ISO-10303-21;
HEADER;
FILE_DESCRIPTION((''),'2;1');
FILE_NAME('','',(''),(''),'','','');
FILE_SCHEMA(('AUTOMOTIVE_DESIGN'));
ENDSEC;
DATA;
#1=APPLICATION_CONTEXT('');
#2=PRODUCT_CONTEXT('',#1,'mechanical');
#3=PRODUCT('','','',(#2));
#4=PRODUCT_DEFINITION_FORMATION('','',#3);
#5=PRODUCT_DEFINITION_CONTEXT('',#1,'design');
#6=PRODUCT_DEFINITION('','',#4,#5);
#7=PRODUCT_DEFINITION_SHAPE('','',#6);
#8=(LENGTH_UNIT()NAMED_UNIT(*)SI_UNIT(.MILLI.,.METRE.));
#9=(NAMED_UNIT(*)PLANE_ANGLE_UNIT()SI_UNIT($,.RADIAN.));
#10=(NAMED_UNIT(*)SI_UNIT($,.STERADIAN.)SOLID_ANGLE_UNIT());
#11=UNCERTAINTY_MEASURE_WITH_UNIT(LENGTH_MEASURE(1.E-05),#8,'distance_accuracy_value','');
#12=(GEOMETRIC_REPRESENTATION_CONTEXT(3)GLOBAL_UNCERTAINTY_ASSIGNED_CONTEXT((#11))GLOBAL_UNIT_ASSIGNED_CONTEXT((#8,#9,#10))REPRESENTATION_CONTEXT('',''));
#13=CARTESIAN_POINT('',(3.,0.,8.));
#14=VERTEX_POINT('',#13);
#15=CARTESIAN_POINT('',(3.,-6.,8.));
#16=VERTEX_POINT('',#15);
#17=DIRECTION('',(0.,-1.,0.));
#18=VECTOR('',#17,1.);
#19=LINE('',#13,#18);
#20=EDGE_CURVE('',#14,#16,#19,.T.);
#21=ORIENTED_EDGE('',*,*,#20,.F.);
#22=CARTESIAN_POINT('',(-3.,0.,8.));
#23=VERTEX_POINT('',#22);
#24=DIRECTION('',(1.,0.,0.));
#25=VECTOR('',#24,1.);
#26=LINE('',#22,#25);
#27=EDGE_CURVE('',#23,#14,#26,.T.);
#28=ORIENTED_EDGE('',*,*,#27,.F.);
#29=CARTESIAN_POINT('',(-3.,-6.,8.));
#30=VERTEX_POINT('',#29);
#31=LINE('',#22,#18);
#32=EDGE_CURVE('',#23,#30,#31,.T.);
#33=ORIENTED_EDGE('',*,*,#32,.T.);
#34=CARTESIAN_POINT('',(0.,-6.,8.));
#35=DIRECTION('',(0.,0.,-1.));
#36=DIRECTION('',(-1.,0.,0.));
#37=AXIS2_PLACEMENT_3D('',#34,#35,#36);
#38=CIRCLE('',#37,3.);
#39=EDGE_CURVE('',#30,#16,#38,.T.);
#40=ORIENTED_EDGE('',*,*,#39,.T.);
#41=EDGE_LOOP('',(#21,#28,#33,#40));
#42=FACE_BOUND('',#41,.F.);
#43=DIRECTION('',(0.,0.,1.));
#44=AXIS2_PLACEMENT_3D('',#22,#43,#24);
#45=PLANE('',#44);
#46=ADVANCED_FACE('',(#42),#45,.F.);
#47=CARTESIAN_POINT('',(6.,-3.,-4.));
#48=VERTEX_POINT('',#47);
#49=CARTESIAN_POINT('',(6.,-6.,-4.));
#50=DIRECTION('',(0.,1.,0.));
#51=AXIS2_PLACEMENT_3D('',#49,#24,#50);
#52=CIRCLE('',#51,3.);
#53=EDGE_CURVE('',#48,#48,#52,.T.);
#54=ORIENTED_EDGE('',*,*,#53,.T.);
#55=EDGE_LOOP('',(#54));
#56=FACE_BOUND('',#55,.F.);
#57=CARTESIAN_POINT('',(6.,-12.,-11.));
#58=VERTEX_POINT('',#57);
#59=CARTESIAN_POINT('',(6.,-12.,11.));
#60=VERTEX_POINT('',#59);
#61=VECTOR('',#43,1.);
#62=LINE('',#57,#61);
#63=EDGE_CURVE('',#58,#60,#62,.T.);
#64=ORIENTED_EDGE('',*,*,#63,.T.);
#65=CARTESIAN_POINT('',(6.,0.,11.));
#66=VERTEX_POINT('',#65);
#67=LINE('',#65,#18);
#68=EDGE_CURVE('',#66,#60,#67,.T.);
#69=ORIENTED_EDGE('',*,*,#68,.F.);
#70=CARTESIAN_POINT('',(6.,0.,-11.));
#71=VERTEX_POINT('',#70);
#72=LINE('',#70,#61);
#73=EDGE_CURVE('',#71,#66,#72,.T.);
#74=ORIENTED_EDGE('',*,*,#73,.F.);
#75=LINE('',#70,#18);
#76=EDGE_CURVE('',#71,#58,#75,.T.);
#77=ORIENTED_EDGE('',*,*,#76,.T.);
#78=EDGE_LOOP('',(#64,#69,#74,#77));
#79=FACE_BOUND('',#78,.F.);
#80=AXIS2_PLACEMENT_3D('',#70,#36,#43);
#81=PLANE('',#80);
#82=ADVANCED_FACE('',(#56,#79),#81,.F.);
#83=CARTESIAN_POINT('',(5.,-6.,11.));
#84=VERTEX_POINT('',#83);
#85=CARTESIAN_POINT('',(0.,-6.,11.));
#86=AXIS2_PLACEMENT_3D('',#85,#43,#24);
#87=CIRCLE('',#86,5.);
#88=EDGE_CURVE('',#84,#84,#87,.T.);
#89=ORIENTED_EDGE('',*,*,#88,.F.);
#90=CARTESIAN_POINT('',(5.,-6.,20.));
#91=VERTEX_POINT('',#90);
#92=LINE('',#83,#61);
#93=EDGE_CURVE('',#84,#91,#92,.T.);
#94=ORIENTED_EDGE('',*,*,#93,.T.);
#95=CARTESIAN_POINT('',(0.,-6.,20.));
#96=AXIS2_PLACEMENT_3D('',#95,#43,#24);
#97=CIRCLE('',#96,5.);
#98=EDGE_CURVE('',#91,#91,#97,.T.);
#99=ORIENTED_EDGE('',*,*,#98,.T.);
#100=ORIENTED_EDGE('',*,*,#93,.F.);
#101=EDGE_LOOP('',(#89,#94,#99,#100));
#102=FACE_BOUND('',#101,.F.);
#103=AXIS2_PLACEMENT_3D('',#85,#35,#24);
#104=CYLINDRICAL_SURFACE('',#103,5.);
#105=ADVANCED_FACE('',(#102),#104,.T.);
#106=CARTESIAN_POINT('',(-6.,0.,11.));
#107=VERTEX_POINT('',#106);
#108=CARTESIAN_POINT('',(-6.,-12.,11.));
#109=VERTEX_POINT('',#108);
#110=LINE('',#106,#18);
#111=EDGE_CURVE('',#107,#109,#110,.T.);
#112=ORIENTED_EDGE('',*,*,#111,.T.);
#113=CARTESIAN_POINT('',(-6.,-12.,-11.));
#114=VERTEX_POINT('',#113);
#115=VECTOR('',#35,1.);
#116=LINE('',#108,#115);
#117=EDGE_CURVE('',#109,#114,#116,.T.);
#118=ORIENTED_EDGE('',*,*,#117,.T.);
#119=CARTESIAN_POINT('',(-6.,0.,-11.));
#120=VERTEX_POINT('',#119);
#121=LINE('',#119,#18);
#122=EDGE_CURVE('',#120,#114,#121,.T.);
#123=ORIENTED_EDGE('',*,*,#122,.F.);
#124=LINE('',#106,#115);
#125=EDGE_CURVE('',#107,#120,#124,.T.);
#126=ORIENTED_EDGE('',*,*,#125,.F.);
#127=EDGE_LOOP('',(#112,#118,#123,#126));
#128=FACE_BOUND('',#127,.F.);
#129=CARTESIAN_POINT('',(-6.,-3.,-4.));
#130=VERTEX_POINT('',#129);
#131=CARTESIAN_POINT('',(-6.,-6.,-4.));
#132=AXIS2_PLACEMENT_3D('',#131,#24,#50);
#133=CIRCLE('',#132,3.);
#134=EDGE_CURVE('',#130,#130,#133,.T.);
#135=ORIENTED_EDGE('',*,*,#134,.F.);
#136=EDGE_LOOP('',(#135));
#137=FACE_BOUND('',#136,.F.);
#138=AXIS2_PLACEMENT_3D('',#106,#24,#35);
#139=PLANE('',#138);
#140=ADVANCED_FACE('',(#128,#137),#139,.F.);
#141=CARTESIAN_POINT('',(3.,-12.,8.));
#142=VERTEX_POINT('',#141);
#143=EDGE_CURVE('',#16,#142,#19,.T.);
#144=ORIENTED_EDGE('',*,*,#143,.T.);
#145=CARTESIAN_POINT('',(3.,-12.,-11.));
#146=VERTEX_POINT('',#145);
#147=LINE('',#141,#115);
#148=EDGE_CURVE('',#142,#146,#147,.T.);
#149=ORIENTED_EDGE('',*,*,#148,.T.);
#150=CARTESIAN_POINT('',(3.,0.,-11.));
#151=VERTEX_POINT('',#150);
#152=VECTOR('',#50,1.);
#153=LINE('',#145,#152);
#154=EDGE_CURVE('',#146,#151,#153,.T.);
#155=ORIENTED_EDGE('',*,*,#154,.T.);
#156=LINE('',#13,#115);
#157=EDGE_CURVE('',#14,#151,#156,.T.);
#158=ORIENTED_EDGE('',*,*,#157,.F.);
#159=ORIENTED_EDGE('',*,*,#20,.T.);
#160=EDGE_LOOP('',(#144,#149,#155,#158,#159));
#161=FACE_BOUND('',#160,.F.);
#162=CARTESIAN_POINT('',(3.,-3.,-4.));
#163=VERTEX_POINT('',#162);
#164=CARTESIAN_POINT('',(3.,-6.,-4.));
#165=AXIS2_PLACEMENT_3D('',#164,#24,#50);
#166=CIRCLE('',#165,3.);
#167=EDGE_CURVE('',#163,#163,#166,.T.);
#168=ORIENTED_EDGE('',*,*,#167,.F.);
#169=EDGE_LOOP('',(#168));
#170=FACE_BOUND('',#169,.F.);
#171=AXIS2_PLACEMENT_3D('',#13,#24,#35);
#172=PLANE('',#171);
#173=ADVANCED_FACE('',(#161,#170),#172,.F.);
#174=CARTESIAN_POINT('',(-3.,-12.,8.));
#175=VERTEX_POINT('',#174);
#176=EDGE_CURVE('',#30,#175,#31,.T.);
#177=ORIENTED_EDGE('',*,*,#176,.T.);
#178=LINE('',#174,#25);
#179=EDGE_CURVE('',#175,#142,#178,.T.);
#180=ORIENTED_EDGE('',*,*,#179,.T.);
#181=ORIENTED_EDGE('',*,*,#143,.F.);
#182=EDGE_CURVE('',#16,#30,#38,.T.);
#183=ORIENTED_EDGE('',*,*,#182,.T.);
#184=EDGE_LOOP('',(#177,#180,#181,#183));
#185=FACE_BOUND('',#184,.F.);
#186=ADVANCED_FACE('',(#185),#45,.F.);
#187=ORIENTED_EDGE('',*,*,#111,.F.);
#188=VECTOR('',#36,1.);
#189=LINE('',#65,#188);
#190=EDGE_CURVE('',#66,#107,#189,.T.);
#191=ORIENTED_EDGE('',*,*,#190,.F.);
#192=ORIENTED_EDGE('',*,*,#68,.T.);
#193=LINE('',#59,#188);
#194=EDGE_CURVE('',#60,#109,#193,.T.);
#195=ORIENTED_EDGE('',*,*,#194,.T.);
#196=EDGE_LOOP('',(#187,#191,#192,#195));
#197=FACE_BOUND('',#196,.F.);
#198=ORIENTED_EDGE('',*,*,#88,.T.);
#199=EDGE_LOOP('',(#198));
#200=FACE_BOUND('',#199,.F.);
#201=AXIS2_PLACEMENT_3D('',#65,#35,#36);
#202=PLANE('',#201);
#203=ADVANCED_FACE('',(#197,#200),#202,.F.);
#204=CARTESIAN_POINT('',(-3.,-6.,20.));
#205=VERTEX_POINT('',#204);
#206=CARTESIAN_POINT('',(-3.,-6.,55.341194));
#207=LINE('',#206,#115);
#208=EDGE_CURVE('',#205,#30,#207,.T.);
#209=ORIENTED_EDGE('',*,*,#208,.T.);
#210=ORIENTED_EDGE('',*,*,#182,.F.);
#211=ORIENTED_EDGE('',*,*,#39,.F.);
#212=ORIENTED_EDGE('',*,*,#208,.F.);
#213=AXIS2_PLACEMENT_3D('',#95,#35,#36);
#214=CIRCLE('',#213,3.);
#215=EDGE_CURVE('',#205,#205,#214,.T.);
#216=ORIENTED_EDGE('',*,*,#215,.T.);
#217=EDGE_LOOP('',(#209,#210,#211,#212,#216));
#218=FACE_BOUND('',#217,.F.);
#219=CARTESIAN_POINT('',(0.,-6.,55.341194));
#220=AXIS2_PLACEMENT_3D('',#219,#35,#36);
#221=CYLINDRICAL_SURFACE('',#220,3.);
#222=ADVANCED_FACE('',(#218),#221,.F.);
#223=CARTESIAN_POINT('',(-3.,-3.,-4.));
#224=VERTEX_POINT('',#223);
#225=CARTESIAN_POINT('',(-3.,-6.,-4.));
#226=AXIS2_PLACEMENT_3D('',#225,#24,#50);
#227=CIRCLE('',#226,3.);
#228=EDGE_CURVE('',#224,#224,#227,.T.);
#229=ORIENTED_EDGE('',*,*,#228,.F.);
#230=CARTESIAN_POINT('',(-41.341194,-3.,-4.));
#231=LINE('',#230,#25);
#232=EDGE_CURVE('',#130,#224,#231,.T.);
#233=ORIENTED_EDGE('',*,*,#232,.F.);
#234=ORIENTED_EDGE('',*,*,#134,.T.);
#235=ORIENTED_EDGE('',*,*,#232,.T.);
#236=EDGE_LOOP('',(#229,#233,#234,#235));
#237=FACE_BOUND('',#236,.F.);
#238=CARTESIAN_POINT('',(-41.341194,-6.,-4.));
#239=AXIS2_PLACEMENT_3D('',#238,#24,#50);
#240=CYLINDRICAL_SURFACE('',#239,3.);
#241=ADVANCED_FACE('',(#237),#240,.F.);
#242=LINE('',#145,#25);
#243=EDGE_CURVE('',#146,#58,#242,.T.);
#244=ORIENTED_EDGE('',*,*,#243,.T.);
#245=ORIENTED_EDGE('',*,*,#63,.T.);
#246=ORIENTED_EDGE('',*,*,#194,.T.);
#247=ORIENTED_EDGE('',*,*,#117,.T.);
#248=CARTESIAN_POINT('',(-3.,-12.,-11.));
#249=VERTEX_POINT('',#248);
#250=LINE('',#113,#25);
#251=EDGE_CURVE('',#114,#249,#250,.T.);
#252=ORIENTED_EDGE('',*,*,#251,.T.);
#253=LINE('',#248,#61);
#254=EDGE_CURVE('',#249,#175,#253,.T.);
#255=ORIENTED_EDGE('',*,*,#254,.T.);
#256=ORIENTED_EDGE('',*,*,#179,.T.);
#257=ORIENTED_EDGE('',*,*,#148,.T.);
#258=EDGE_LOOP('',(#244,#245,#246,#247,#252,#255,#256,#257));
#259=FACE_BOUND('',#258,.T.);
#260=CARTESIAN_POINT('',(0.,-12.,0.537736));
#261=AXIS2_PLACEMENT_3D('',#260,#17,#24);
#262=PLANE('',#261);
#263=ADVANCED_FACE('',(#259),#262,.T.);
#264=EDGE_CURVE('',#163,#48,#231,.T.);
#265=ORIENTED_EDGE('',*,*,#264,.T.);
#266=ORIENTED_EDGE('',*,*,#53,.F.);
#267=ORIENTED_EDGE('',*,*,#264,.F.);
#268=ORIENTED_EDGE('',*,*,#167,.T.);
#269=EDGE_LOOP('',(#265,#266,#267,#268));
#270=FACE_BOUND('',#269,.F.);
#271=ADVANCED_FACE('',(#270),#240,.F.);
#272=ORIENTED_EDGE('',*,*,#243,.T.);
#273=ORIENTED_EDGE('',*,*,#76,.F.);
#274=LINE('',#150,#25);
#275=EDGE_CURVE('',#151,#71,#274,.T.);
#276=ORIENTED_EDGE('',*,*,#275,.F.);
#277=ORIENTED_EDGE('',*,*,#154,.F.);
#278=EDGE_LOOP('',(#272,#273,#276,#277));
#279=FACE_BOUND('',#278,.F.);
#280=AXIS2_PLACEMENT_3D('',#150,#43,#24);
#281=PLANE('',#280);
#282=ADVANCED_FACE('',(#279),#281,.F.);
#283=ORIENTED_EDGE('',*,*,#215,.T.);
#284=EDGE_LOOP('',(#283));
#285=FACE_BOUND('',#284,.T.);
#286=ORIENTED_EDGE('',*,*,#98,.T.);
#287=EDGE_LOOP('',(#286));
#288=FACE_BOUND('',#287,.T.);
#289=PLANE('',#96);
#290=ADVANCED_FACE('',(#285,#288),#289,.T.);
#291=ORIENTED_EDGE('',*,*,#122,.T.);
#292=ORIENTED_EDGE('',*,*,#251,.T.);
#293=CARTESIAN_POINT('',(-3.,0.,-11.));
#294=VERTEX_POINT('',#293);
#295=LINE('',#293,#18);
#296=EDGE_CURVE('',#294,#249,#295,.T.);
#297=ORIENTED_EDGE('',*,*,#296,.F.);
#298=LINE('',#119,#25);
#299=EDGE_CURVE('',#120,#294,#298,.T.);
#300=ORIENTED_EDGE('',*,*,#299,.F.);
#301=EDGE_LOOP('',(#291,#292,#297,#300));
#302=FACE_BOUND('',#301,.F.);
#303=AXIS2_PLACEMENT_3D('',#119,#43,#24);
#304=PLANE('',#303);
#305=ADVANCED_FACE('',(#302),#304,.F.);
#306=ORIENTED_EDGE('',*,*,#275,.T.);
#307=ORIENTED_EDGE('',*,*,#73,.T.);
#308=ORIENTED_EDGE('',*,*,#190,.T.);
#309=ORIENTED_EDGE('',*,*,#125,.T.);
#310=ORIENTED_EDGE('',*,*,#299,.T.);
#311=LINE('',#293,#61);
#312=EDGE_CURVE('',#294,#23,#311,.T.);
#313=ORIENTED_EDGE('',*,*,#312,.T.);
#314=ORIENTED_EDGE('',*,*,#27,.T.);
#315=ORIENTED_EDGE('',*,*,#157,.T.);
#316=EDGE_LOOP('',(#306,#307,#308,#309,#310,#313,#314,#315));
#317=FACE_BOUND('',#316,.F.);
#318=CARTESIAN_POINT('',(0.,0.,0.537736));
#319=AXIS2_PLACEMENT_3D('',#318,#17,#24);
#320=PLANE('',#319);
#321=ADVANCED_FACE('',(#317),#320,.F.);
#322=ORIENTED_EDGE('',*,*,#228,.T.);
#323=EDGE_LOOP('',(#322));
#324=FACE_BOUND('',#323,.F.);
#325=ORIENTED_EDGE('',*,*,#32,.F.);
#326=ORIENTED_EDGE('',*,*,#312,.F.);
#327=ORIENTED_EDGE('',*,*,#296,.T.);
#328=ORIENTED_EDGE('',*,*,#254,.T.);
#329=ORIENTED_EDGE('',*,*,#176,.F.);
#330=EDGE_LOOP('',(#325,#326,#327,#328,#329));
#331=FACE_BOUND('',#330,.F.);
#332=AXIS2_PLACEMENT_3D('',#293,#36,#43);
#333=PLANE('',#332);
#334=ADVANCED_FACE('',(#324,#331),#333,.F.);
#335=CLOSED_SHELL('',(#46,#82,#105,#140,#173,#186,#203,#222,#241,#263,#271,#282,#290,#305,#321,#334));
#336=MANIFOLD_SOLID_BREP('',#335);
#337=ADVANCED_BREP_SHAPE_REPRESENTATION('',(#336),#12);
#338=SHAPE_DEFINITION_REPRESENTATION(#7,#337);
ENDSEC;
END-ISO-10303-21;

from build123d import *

# Parameters (mm, degrees)
F1_DEPTH = 12
F2_R     = 5
F3_DEPTH = 9
F5_D     = 6
F7_D     = 6


with BuildPart() as f1:
    # F0 (on Front) → F1 (new body)
    with BuildSketch(Plane.XZ):
        Polygon((3, -11), (6, -11), (6, 11), (-6, 11), (-6, -11), (-3, -11), (-3, 8), (3, 8), align=None)
    extrude(amount=F1_DEPTH)

    # F2 (on face) → F3 (join)
    with BuildSketch(Plane.XY.offset(11)):
        with Locations((0, -6)):
            Circle(F2_R)
    extrude(amount=F3_DEPTH)

    # F5 (through all)
    with Locations(Plane.XY.offset(20)):
        with Locations((0, -6)):
            Hole(F5_D / 2)

    # F7 (through all)
    with Locations(Plane(origin=(-6, 0, 0), x_dir=(0, -1, 0), z_dir=(-1, 0, 0))):
        with Locations((6, -4)):
            Hole(F7_D / 2)


solid = f1.part
